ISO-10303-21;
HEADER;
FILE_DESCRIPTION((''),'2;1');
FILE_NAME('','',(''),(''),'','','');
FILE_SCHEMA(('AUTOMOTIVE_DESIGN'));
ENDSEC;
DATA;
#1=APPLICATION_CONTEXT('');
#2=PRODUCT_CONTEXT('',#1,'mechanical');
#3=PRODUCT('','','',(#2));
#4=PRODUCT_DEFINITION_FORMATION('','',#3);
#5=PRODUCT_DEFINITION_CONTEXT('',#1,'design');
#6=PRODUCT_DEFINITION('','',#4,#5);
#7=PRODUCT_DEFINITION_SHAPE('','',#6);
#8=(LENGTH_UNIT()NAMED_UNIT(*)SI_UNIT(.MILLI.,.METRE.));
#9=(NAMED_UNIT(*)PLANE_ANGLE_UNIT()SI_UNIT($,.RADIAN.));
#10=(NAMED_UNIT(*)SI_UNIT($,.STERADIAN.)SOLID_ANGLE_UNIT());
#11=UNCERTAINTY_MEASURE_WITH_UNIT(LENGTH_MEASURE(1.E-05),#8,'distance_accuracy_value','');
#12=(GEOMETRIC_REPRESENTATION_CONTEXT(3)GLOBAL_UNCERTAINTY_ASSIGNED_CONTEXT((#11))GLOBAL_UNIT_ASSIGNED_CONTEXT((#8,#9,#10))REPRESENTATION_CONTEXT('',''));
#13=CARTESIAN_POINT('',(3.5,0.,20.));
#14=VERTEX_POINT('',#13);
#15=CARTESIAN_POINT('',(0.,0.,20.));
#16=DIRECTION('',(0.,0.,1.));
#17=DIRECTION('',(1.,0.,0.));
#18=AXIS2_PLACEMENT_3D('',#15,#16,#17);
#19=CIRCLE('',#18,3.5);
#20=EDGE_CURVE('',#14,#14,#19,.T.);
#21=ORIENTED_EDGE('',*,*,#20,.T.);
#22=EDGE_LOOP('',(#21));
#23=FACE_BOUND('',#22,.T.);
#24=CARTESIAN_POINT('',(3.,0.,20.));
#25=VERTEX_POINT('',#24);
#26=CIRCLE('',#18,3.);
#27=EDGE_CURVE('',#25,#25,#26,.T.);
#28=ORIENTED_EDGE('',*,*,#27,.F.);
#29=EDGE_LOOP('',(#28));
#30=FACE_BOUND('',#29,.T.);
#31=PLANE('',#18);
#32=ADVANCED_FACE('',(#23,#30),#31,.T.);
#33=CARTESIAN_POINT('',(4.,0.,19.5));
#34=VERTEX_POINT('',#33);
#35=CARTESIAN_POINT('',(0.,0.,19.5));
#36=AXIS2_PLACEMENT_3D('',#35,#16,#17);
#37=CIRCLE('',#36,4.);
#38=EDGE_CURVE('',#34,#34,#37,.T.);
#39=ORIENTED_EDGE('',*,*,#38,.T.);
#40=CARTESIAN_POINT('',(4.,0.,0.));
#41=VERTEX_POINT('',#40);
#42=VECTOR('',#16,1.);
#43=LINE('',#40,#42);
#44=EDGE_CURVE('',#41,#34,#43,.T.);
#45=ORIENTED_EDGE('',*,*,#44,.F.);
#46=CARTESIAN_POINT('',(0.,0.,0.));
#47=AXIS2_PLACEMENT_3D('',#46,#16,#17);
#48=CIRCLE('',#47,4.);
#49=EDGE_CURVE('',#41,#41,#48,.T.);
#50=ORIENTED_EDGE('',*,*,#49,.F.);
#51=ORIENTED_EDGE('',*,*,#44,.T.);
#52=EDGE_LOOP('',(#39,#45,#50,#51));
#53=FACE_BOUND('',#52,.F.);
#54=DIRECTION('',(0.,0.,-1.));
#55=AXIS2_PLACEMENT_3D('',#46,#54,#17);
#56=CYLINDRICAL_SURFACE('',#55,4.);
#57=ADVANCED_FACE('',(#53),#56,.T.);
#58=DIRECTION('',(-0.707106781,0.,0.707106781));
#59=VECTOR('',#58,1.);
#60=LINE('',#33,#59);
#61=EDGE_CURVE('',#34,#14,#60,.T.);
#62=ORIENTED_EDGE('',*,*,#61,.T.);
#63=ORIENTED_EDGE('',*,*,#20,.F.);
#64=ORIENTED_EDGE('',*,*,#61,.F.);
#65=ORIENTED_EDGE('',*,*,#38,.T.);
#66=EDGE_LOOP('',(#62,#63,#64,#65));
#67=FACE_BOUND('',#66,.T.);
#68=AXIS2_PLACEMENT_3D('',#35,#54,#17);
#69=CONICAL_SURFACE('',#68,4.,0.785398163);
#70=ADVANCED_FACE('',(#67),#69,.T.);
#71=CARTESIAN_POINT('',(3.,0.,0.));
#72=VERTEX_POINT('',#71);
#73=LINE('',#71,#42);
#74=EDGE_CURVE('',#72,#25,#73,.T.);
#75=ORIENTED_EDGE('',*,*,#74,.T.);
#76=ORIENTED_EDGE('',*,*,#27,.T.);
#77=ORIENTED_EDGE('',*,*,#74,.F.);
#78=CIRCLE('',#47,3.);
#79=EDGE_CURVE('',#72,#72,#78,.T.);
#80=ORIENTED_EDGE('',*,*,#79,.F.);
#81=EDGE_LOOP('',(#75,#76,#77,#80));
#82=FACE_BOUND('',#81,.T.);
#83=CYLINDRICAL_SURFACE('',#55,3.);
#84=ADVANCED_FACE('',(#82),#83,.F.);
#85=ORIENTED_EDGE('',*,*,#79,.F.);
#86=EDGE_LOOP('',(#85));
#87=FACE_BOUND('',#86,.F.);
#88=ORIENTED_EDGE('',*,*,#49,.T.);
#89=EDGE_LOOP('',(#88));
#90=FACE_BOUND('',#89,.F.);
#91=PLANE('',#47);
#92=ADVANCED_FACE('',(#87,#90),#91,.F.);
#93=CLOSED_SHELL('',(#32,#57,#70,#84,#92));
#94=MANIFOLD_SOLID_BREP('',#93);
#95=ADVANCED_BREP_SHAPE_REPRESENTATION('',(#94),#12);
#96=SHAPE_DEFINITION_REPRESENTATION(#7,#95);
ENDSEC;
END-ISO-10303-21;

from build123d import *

# Parameters (mm, degrees)
SKETCH_R     = 4
SKETCH_R_2   = 3
PAD_DEPTH    = 20
CHAMFER_SIZE = 0.5


with BuildPart() as part:
    # Sketch → Pad (new body)
    with BuildSketch(Plane.XY):
        Circle(SKETCH_R)
        Circle(SKETCH_R_2, mode=Mode.SUBTRACT)
    extrude(amount=PAD_DEPTH)

    # Chamfer
    chamfer_edges = [part.edges().sort_by_distance(p)[0] for p in [
        (-4, 0, 20),
    ]]
    chamfer(chamfer_edges, length=CHAMFER_SIZE)


solid = part.part
